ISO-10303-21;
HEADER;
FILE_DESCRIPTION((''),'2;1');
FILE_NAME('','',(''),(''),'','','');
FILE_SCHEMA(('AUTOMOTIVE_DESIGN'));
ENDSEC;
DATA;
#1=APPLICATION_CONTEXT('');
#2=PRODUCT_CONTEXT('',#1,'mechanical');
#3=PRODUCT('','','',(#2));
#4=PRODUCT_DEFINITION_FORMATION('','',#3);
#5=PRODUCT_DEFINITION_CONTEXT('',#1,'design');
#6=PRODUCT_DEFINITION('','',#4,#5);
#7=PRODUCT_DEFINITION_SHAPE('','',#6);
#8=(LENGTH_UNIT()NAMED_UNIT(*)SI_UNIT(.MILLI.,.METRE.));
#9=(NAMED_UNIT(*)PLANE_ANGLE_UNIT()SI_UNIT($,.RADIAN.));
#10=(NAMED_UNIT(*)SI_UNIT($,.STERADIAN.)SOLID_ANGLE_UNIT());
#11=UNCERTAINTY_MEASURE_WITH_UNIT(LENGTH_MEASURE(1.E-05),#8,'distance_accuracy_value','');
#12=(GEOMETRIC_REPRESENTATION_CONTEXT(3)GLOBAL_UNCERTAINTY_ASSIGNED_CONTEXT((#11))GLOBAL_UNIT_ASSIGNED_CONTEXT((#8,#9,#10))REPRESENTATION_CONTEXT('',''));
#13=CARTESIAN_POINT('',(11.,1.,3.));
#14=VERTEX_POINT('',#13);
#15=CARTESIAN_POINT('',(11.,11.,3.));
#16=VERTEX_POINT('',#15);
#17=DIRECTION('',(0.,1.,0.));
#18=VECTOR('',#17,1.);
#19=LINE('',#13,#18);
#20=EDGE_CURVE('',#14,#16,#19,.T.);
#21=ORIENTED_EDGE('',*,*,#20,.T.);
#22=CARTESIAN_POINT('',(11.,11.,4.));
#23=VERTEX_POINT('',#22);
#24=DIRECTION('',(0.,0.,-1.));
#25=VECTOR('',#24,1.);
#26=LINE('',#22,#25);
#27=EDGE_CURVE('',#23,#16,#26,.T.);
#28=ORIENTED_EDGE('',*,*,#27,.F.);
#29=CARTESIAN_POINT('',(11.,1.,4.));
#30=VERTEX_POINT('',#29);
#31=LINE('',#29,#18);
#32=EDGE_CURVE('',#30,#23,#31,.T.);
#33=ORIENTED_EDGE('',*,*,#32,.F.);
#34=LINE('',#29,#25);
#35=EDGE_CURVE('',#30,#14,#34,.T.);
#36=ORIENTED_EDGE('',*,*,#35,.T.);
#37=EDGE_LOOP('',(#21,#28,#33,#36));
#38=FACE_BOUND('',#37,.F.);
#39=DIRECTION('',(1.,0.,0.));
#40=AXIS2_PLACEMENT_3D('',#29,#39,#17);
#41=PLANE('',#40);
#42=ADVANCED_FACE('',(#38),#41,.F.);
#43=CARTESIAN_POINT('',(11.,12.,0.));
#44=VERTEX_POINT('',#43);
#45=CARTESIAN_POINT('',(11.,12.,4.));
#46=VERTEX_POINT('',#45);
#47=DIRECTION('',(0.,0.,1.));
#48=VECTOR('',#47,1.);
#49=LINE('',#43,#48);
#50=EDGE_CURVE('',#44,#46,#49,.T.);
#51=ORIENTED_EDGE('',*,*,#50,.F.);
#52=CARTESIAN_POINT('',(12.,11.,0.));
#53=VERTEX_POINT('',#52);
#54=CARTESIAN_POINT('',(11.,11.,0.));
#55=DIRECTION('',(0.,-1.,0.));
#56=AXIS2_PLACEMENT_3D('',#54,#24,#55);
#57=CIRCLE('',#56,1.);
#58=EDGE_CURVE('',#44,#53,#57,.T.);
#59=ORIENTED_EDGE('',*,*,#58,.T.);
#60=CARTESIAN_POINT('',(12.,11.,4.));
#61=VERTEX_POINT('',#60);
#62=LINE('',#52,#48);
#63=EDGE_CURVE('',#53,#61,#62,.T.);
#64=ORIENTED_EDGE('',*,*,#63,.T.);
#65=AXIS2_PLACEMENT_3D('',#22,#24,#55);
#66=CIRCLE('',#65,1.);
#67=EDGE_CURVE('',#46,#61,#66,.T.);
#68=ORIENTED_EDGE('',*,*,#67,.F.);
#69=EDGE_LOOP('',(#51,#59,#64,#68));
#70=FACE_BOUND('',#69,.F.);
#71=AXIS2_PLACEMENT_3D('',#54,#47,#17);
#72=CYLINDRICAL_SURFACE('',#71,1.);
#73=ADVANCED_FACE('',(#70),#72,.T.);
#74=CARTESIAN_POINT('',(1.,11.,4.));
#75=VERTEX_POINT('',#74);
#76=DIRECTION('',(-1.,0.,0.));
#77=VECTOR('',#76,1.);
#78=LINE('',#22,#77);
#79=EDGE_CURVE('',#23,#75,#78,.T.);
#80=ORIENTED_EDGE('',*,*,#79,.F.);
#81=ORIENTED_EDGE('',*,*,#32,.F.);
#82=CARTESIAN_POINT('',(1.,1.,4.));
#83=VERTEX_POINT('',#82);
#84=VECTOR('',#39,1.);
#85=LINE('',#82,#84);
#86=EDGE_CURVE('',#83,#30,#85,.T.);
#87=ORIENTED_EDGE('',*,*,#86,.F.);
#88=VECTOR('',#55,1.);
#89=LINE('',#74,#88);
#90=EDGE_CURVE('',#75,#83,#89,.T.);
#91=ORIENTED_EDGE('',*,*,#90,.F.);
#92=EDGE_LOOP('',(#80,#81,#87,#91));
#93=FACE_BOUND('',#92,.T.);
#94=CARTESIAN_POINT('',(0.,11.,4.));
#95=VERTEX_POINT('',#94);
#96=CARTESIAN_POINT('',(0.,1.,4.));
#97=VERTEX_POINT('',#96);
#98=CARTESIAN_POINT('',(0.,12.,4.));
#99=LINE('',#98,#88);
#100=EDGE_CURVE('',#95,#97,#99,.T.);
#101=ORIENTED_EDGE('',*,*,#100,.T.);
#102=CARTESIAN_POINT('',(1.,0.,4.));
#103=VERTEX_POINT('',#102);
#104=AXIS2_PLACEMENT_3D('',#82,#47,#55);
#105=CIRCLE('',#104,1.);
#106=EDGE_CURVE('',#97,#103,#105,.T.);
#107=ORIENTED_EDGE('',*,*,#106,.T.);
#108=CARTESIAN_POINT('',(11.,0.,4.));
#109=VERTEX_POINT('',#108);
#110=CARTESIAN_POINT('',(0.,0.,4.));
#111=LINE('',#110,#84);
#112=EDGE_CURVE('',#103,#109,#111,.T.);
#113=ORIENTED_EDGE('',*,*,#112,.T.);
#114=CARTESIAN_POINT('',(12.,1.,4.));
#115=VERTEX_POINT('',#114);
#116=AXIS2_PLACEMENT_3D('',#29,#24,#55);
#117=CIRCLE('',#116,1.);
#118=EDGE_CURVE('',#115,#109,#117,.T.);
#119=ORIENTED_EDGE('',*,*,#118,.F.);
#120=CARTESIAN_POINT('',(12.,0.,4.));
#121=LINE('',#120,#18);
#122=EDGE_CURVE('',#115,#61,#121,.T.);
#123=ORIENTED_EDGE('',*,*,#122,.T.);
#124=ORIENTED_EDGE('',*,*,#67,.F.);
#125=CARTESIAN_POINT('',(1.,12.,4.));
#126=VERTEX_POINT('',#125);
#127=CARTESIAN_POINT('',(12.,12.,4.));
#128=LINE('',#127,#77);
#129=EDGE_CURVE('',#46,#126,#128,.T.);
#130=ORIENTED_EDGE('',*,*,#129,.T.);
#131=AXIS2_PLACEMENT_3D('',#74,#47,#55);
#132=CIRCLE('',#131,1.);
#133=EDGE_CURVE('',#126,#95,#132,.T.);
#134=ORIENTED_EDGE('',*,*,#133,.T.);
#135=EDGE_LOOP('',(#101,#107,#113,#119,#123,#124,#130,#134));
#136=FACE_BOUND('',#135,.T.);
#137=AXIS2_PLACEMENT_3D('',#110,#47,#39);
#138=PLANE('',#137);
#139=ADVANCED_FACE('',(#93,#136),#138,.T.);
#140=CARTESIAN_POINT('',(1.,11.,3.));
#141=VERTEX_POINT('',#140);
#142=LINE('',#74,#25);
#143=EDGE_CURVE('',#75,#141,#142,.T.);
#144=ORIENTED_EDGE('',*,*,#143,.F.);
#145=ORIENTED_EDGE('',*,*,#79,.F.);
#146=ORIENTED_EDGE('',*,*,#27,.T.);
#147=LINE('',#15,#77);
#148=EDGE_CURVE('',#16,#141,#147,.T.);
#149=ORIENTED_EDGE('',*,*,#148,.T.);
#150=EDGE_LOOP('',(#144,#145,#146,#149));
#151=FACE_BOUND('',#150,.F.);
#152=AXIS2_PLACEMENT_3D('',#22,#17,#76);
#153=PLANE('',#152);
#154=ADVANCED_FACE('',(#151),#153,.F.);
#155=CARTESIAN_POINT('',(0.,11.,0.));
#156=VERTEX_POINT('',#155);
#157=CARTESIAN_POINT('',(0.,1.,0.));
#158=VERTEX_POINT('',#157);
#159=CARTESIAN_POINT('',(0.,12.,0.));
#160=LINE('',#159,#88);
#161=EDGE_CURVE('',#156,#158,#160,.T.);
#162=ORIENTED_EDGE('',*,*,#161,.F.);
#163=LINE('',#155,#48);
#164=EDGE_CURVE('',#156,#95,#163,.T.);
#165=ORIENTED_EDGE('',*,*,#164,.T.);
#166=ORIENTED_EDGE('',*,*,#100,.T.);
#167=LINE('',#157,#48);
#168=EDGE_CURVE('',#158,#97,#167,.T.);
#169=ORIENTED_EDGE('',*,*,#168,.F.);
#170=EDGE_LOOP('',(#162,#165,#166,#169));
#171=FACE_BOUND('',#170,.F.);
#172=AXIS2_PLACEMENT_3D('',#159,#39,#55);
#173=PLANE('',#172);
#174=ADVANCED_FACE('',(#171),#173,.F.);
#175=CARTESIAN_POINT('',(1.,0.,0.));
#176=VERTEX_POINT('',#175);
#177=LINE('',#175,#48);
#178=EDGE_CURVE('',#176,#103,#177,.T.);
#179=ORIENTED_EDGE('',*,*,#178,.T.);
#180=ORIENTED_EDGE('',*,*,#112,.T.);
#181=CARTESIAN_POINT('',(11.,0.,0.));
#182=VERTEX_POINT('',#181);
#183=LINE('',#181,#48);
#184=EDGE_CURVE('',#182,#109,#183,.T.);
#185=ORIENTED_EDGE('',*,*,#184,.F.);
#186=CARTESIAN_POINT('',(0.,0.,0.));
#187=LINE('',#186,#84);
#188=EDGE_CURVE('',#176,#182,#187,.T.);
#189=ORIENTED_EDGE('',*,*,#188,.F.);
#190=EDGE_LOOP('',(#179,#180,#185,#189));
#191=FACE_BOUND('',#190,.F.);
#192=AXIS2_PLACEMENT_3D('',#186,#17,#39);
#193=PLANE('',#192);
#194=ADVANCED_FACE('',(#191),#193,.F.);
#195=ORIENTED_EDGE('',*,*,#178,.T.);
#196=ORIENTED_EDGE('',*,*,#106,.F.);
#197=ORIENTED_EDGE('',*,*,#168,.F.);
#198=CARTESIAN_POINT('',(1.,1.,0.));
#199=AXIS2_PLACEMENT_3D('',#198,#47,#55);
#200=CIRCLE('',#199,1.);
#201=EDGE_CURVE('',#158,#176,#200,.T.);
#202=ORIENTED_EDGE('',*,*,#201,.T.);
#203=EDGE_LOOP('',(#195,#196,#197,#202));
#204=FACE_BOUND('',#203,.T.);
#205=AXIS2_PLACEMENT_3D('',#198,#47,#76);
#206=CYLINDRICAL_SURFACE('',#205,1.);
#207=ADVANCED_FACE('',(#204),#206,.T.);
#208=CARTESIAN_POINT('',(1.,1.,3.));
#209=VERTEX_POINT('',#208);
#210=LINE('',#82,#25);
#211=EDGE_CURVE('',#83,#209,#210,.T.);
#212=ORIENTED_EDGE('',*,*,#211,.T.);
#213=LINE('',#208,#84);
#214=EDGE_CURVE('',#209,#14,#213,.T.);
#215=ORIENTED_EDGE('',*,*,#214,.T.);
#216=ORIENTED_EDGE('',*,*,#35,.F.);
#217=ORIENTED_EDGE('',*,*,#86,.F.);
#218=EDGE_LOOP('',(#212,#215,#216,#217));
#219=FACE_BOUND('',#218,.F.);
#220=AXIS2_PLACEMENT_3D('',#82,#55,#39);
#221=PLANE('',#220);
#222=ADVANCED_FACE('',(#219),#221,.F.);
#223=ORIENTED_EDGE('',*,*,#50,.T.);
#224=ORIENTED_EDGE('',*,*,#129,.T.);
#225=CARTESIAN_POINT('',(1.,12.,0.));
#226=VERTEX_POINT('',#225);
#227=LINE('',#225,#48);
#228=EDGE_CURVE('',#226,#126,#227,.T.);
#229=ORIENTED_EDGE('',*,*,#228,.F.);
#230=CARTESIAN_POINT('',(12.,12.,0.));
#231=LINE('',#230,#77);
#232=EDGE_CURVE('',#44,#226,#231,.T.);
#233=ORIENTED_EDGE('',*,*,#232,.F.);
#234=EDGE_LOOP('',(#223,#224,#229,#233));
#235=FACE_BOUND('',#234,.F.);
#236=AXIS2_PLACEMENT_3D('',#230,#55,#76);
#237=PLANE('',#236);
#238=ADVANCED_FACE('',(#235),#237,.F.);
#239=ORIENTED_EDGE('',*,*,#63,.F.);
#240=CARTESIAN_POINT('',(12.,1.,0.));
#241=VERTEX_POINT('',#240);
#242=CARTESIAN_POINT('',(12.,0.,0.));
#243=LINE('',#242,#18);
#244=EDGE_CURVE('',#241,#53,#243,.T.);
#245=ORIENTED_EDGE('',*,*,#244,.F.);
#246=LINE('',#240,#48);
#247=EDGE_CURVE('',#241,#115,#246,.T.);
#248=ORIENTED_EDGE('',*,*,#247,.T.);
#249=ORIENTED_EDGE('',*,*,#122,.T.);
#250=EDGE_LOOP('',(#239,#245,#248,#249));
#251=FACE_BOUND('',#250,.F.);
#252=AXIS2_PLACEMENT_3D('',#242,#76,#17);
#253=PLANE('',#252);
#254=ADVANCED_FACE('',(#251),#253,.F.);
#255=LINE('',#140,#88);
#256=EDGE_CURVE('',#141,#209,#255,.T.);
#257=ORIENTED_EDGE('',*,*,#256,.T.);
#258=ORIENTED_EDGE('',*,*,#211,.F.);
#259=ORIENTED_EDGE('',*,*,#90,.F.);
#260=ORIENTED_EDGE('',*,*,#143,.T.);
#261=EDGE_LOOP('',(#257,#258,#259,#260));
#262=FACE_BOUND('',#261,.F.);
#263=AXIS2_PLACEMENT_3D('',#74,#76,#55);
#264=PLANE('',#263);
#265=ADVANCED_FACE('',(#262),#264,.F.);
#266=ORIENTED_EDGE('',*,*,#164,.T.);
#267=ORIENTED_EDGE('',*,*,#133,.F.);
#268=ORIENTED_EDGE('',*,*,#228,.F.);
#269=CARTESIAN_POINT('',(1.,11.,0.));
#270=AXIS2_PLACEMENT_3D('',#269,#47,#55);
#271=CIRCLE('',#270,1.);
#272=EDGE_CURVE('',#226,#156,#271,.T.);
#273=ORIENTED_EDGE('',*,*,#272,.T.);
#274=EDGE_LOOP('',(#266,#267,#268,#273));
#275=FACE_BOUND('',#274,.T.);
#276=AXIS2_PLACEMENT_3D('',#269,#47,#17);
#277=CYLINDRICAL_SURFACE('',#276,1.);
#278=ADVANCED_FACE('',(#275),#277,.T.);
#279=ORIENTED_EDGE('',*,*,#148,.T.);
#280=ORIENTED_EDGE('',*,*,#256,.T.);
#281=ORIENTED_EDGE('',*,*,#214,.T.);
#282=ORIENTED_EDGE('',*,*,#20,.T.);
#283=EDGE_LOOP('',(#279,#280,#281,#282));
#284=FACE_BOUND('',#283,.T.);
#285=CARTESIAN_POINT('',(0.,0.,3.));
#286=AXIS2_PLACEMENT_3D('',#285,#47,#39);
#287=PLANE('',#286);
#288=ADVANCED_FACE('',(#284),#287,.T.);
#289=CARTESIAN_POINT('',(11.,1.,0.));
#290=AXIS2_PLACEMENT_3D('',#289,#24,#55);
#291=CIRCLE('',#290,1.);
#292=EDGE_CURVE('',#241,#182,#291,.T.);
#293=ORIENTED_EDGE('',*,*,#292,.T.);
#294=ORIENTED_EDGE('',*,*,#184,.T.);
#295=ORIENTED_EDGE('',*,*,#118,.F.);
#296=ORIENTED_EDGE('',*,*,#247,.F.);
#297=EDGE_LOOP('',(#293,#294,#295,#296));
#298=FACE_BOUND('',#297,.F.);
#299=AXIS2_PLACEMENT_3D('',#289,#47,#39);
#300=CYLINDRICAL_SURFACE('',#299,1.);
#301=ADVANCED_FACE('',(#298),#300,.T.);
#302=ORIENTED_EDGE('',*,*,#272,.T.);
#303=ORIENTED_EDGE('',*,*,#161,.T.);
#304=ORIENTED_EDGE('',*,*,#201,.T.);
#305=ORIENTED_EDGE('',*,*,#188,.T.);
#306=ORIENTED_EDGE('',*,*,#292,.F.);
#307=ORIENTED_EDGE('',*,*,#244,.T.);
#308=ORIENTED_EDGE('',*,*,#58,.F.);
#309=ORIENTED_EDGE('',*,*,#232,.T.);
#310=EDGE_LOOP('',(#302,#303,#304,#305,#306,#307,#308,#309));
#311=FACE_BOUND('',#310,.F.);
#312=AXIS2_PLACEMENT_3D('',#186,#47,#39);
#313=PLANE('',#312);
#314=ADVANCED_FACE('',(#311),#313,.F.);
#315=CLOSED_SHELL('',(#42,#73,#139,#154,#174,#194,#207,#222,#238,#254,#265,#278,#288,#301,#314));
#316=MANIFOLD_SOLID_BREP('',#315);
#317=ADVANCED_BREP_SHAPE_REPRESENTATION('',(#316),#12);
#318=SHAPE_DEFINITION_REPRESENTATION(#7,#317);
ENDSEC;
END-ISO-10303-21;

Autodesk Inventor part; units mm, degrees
ref_plane "YZ Plane" through (0, 0, 0) normal (1, 0, 0) x (0, 1, 0)
ref_plane "XZ Plane" through (0, 0, 0) normal (0, 1, 0) x (-1, 0, 0)
ref_plane "XY Plane" through (0, 0, 0) normal (0, 0, 1) x (1, 0, 0)
sketch "Sketch1" plane through (0, 0, 0) normal (0, 0, 1) x (1, 0, 0)
  line L0 (0, 0) -> (12, 0)
  line L1 (12, 0) -> (12, 12)
  line L2 (12, 12) -> (0, 12)
  line L3 (0, 12) -> (0, 0)
  dimension "d0" = 12
  dimension "d1" = 12
extrude "Extrusion1" add sketch "Sketch1" along normal blind 4
fillet "Fillet1" radius 1 1 edges at (12, 12, 2)
fillet "Fillet2" radius 1 3 edges at (0, 12, 2) (12, 0, 2) (0, 0, 2)
sketch "Sketch2" plane through (0, 0, 4) normal (0, 0, 1) x (1, 0, 0)
  line L0 (1, 1) -> (11, 1)
  line L1 (11, 1) -> (11, 11)
  line L2 (11, 11) -> (1, 11)
  line L3 (1, 11) -> (1, 1)
  point P0 (0, 0)
  point P1 (1, 0)
  dimension "d7" = 1
  dimension "d8" = 10
  dimension "d9" = 10
extrude "Extrusion2" cut sketch "Sketch2" against normal blind 1
sketch "Sketch3" plane through (0, 0, 3) normal (0, 0, 1) x (1, 0, 0)
  point P0 (0, 0)
properties part number "BTN_1"
